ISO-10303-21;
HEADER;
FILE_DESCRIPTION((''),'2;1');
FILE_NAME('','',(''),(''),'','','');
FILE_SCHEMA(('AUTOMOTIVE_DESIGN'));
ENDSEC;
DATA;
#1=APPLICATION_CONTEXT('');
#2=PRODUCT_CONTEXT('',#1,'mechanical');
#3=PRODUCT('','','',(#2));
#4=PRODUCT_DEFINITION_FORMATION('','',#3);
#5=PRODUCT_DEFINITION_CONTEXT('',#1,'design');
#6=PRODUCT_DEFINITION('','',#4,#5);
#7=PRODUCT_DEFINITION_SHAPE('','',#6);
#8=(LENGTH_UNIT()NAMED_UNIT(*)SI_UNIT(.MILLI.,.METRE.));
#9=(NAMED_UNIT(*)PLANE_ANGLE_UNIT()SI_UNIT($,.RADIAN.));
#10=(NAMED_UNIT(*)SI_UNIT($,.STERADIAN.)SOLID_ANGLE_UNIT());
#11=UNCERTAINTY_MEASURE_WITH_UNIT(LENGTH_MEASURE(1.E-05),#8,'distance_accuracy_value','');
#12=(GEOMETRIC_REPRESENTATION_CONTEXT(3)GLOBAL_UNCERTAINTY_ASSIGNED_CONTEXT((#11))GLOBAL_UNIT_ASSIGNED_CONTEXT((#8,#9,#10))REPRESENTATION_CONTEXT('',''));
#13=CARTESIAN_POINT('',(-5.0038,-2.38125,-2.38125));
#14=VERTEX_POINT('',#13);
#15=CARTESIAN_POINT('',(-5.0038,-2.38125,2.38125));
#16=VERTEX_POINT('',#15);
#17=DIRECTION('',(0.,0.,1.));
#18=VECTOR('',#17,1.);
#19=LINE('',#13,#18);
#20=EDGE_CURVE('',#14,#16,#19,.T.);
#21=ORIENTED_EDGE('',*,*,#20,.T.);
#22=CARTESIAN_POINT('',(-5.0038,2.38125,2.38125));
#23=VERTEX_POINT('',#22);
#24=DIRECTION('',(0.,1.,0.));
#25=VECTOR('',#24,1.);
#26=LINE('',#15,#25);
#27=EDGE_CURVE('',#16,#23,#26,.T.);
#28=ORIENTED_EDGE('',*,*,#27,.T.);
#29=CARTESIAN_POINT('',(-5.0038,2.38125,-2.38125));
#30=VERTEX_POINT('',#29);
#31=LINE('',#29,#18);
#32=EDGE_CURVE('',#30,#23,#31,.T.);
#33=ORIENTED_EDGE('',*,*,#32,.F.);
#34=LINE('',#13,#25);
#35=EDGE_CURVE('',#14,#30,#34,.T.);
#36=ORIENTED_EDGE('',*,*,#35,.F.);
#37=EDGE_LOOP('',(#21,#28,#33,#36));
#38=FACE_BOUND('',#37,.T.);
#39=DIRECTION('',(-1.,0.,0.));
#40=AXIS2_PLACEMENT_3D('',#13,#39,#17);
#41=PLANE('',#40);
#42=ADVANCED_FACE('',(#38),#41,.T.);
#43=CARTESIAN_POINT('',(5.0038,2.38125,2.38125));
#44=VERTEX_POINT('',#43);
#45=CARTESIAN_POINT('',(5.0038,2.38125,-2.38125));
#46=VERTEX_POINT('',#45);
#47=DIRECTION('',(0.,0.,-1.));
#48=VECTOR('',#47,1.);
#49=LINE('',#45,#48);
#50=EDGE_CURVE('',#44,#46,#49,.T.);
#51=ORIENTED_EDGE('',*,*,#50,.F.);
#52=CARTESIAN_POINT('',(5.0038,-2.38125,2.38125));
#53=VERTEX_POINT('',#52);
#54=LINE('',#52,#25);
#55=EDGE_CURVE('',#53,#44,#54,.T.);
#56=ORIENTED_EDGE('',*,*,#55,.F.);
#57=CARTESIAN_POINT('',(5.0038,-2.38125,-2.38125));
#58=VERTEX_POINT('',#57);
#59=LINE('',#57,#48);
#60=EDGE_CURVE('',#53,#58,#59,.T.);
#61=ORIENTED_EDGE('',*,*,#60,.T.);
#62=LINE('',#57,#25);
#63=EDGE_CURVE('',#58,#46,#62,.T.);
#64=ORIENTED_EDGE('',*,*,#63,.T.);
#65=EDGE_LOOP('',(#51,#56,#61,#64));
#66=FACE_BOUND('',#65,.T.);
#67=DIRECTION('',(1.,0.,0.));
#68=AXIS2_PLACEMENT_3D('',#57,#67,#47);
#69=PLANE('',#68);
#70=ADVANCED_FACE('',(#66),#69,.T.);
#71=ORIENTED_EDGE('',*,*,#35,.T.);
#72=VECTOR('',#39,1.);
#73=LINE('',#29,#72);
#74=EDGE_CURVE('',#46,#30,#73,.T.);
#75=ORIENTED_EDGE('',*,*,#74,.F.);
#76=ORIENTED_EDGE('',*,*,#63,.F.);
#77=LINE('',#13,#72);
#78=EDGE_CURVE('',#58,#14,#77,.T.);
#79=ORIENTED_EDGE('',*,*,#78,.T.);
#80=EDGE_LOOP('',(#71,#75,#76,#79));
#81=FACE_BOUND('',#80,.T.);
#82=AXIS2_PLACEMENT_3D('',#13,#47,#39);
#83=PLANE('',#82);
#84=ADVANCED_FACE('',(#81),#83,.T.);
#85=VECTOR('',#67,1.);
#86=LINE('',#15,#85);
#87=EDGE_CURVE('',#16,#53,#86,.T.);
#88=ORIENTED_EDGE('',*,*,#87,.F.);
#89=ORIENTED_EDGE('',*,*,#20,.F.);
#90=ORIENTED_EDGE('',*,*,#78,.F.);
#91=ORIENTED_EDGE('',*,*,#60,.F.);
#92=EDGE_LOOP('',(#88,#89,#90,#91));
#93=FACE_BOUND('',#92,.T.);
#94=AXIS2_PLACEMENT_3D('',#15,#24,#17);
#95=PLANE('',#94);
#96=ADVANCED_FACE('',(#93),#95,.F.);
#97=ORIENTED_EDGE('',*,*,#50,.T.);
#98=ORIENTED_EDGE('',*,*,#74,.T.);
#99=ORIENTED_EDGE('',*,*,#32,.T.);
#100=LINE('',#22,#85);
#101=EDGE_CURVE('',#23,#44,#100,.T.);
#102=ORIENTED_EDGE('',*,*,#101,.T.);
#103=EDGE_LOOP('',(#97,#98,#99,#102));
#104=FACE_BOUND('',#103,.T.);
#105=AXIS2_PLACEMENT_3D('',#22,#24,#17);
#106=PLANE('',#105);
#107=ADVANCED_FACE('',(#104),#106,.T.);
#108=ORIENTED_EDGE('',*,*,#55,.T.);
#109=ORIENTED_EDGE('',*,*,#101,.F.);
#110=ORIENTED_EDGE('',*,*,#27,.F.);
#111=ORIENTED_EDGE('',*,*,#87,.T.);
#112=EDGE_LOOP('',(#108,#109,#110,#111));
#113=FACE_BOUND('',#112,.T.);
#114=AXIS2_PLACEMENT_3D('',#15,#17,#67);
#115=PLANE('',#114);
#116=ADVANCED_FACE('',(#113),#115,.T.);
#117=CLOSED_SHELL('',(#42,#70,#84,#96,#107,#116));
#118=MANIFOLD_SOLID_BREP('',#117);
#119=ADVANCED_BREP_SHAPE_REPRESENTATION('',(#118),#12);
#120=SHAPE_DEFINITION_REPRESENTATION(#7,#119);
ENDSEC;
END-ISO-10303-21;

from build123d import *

# Parameters (mm, degrees)
EXTRUDE1_DEPTH      = 2.38125
EXTRUDE1_DEPTH_BACK = 2.38125
SKETCH3_W           = 10.0076
SKETCH3_H           = 4.7625


with BuildPart() as part:
    # Sketch3 → Extrude1 (new, two sides: drawn at the far end of the back side and taken through both)
    with BuildSketch(Plane(origin=(0, 0, 0), x_dir=(1, 0, 0), z_dir=(0, 1, 0)).offset(-EXTRUDE1_DEPTH_BACK)):
        Rectangle(SKETCH3_W, SKETCH3_H)
    extrude(amount=EXTRUDE1_DEPTH + EXTRUDE1_DEPTH_BACK)


solid = part.part
